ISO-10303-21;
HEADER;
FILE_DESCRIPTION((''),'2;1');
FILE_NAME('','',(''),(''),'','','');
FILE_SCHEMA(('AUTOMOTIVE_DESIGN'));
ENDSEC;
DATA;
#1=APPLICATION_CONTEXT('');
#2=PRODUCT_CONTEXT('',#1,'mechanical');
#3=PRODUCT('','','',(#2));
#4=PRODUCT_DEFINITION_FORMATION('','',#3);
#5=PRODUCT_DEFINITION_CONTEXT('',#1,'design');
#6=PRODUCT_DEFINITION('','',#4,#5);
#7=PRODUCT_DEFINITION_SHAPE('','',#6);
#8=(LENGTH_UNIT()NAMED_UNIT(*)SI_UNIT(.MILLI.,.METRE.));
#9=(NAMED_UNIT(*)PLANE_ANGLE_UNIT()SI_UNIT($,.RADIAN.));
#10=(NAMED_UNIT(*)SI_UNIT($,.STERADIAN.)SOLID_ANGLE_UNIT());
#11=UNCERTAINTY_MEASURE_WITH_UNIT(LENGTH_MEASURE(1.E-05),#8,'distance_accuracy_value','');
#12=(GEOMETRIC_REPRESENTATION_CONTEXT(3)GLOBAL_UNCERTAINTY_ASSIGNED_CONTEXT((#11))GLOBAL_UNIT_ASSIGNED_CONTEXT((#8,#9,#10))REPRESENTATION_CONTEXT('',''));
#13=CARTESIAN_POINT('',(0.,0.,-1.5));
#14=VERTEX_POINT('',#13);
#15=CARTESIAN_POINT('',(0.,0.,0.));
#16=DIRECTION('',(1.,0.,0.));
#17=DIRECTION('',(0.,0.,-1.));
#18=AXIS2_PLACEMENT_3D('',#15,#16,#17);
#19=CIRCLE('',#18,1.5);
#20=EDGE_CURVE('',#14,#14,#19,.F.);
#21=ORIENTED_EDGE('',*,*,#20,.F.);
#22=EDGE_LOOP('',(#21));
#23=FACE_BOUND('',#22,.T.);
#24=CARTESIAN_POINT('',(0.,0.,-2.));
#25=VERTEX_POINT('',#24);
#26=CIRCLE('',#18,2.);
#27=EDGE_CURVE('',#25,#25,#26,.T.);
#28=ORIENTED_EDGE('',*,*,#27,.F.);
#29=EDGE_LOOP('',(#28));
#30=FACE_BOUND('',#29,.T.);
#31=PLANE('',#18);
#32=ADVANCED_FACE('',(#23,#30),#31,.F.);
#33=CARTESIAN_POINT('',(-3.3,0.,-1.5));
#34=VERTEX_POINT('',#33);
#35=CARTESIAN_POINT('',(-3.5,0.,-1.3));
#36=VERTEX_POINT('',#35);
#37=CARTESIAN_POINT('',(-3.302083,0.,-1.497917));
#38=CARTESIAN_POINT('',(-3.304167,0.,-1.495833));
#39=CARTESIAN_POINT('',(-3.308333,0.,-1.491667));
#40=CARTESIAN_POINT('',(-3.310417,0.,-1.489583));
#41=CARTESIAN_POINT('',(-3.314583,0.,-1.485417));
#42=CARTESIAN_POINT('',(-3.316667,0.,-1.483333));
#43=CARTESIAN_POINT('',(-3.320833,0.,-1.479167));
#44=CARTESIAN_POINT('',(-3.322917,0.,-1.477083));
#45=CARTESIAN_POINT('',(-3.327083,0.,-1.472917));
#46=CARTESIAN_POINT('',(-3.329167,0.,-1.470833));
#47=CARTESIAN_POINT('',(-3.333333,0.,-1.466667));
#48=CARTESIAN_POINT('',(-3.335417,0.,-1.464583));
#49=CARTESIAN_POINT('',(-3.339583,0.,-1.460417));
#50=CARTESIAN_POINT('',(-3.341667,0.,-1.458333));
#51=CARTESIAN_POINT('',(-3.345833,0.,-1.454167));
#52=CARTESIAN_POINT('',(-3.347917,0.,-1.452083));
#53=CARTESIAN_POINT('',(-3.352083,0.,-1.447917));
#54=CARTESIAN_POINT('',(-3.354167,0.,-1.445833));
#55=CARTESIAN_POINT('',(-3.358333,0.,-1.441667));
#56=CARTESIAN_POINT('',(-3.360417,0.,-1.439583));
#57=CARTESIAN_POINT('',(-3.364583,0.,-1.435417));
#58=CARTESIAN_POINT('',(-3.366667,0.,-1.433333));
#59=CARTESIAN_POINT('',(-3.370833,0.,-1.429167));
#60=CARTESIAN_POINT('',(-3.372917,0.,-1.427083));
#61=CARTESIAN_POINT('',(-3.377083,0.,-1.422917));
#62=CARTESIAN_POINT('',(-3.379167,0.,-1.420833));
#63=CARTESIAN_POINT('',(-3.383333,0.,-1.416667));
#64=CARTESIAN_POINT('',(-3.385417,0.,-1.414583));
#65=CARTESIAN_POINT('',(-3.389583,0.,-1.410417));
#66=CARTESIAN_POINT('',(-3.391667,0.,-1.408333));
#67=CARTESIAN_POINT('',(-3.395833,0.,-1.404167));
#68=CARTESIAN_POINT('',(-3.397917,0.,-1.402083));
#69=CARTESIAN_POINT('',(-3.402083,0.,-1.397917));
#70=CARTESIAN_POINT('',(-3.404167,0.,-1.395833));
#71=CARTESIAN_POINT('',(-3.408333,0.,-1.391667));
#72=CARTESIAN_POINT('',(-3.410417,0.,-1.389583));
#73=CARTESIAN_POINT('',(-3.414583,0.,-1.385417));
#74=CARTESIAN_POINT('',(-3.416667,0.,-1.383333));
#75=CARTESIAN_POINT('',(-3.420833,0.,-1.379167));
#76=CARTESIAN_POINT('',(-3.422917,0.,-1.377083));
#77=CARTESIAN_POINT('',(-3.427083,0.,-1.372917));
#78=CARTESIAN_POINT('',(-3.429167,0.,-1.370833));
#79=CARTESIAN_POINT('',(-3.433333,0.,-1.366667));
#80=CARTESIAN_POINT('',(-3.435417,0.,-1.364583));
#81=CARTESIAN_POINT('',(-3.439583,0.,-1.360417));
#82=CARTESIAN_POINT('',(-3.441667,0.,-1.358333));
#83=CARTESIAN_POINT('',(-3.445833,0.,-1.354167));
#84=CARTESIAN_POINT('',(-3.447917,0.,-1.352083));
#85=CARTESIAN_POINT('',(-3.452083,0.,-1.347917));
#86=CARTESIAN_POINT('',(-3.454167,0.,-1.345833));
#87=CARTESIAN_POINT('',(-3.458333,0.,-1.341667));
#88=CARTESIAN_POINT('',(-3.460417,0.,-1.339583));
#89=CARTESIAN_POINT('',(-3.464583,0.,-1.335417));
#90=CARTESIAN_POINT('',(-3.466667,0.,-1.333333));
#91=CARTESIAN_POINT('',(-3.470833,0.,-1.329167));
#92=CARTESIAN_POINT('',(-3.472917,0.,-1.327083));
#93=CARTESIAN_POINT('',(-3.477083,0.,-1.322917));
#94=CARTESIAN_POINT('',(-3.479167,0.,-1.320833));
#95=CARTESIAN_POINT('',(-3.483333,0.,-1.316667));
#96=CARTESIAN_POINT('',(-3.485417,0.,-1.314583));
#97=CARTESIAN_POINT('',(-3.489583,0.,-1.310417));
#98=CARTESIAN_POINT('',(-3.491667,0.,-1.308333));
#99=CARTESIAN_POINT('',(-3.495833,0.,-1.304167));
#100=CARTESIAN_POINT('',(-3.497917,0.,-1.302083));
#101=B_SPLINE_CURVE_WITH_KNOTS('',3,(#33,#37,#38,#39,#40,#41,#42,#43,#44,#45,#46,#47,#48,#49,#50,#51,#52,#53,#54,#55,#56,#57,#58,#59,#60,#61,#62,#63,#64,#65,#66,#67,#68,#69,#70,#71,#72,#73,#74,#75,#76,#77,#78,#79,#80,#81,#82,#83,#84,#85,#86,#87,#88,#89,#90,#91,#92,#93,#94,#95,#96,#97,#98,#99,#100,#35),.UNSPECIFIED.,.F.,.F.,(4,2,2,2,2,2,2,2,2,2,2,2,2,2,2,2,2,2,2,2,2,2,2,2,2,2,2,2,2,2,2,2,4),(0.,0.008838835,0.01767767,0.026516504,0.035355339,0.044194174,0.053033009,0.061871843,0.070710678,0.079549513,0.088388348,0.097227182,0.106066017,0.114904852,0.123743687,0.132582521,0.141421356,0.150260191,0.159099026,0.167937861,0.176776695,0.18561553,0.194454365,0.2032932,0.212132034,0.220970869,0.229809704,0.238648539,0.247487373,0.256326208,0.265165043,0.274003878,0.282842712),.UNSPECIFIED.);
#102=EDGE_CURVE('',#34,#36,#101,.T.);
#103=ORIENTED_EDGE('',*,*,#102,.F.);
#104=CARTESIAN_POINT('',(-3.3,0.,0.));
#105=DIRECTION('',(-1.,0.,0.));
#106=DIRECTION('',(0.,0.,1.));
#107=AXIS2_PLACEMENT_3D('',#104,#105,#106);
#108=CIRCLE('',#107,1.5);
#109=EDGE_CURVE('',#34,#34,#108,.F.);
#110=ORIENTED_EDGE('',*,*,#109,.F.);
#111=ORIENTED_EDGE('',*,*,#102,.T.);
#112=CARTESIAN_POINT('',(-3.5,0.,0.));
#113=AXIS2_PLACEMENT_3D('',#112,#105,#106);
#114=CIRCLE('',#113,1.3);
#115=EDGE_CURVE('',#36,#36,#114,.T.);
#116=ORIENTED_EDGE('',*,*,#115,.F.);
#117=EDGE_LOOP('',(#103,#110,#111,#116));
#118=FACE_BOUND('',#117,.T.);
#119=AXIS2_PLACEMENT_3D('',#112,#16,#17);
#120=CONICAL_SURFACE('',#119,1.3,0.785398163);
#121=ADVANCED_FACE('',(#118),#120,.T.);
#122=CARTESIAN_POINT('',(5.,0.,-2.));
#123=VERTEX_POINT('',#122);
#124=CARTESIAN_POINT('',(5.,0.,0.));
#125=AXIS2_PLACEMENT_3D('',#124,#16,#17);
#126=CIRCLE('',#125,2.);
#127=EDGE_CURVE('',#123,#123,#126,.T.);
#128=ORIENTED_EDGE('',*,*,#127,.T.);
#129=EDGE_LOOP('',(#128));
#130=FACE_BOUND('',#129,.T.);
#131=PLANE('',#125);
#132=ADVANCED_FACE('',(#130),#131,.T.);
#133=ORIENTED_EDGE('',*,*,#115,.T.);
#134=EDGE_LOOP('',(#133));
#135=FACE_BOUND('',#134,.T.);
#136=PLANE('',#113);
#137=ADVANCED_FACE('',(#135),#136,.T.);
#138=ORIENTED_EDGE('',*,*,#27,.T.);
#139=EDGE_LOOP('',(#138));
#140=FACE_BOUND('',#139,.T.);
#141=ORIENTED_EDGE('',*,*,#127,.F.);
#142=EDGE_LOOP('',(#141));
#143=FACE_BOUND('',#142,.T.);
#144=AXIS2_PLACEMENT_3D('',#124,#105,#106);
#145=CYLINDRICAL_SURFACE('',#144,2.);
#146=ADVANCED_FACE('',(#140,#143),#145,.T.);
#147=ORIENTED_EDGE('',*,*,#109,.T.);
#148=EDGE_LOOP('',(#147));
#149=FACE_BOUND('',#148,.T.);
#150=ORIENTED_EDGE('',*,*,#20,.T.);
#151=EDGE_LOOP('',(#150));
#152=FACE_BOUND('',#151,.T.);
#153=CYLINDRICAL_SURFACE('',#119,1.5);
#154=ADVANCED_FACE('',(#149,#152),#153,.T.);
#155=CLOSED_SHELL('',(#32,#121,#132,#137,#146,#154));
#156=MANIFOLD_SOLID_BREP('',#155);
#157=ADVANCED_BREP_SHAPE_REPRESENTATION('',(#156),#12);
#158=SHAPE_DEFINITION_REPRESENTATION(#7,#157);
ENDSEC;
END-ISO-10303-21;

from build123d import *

# Parameters (mm, degrees)
SKETCH1_R           = 2
BOSS_EXTRUDE1_DEPTH = 5
SKETCH2_R           = 1.5
BOSS_EXTRUDE2_DEPTH = 3.5
CHAMFER1_SIZE       = 0.2


with BuildPart() as part:
    # Sketch1 → Boss-Extrude1 (new body)
    with BuildSketch(Plane(origin=(0, 0, 0), x_dir=(0, 0, -1), z_dir=(1, 0, 0))):
        Circle(SKETCH1_R)
    extrude(amount=BOSS_EXTRUDE1_DEPTH)

    # Sketch2 → Boss-Extrude2 (add)
    with BuildSketch(Plane.ZY):
        with Locations(Location((0, 0, 0), (0, 0, 180))):
            Circle(SKETCH2_R)
    extrude(amount=BOSS_EXTRUDE2_DEPTH)

    # Chamfer1
    chamfer1_edges = [part.edges().sort_by_distance(p)[0] for p in [
        (-3.5, 0, 1.5),
    ]]
    chamfer(chamfer1_edges, length=CHAMFER1_SIZE)


solid = part.part
